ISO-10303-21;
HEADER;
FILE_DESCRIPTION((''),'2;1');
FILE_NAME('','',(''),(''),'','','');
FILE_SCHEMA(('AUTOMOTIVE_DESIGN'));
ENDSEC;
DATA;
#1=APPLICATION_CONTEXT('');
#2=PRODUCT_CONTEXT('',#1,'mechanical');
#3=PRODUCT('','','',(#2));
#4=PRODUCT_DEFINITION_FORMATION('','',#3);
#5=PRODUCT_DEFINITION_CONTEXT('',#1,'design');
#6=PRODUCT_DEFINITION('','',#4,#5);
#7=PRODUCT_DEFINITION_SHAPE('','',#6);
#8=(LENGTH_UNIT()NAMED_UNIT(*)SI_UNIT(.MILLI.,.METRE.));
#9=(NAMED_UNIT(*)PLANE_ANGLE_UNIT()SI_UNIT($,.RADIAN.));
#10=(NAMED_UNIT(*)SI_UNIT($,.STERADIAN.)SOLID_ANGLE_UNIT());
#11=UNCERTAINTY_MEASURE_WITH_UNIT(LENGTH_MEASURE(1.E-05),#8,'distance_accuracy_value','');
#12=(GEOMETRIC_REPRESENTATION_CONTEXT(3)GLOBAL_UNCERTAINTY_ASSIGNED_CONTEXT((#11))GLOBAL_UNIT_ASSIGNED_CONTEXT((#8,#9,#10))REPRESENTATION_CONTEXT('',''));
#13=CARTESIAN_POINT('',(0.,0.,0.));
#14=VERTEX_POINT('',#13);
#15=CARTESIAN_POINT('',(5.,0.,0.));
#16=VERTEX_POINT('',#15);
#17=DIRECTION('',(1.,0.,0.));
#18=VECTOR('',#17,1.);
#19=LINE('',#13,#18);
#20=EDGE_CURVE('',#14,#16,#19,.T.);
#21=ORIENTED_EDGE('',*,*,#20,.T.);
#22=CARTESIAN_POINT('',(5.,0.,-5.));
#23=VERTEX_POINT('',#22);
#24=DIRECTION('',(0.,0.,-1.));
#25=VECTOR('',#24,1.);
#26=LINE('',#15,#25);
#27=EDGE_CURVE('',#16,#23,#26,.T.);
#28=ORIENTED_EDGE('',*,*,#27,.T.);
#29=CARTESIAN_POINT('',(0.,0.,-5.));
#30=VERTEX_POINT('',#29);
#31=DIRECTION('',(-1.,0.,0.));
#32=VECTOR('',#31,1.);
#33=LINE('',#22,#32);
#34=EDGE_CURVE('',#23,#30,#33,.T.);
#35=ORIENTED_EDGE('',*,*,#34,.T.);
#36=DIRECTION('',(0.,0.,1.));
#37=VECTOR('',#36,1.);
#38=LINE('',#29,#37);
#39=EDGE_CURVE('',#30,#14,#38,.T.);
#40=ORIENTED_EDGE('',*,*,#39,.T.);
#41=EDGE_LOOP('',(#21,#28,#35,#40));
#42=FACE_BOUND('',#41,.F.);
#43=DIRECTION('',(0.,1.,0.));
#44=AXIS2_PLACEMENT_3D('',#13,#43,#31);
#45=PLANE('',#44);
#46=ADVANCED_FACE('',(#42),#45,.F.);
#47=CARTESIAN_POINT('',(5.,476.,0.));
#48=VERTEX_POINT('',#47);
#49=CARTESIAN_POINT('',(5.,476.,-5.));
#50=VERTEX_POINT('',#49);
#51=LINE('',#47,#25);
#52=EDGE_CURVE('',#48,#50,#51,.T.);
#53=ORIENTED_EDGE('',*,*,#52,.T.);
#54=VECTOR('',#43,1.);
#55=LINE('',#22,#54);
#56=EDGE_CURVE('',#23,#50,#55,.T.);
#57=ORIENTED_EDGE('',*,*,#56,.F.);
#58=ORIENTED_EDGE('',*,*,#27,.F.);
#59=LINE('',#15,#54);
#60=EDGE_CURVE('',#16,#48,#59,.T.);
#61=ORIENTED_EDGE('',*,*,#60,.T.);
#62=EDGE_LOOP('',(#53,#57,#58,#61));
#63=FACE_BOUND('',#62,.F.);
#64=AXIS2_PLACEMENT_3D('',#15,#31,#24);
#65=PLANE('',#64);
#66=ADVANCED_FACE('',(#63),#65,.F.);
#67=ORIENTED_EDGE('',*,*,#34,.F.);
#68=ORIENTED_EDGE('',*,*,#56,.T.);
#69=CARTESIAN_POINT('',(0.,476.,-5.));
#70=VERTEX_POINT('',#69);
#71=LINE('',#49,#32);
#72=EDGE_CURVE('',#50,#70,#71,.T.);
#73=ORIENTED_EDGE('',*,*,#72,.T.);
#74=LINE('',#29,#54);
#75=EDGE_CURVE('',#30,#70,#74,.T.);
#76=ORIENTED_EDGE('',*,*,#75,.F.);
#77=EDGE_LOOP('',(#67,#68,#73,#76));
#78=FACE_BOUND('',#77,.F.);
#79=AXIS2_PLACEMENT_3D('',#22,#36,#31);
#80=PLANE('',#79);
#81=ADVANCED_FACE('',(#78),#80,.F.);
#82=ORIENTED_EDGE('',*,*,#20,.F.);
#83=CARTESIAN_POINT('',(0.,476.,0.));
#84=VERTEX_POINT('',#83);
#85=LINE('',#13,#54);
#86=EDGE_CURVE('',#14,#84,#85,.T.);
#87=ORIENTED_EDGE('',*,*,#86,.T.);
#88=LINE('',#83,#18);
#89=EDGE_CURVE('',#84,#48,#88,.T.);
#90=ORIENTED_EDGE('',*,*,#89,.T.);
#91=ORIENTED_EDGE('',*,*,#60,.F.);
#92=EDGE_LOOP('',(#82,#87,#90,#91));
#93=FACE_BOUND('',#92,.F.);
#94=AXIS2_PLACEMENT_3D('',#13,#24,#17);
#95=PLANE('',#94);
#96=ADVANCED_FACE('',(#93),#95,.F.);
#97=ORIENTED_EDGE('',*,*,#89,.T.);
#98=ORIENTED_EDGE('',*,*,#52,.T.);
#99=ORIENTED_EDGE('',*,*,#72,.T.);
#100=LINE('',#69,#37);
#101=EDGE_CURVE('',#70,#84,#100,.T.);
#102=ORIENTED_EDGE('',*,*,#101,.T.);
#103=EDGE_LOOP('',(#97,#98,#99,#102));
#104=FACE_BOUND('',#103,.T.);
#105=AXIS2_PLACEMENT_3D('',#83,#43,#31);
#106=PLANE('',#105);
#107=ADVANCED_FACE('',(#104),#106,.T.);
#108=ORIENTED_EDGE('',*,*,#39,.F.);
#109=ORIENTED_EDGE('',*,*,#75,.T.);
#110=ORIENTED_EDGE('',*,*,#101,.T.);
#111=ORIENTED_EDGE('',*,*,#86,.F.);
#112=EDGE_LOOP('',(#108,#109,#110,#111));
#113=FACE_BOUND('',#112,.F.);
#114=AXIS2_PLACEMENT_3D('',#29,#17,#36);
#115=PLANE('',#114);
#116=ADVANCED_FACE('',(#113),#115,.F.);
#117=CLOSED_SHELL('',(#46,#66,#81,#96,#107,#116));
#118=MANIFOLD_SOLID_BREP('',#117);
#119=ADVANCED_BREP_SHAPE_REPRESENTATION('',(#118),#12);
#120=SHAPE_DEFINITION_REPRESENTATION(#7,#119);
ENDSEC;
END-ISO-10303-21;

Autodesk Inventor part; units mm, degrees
ref_plane "YZ Plane" through (0, 0, 0) normal (1, 0, 0) x (0, 1, 0)
ref_plane "XZ Plane" through (0, 0, 0) normal (0, 1, 0) x (-1, 0, 0)
ref_plane "XY Plane" through (0, 0, 0) normal (0, 0, 1) x (1, 0, 0)
sketch "Sketch4" plane through (0, 0, 0) normal (0, 1, 0) x (-1, 0, 0)
  line L0 (0, 0) -> (-5, 0)
  line L1 (-5, 0) -> (-5, -5)
  line L2 (-5, -5) -> (0, -5)
  line L3 (0, -5) -> (0, 0)
  dimension "d103" = 5
  dimension "d104" = 5
extrude "Extrusion7" add sketch "Sketch4" along normal blind 476
properties part number "airfoil"
